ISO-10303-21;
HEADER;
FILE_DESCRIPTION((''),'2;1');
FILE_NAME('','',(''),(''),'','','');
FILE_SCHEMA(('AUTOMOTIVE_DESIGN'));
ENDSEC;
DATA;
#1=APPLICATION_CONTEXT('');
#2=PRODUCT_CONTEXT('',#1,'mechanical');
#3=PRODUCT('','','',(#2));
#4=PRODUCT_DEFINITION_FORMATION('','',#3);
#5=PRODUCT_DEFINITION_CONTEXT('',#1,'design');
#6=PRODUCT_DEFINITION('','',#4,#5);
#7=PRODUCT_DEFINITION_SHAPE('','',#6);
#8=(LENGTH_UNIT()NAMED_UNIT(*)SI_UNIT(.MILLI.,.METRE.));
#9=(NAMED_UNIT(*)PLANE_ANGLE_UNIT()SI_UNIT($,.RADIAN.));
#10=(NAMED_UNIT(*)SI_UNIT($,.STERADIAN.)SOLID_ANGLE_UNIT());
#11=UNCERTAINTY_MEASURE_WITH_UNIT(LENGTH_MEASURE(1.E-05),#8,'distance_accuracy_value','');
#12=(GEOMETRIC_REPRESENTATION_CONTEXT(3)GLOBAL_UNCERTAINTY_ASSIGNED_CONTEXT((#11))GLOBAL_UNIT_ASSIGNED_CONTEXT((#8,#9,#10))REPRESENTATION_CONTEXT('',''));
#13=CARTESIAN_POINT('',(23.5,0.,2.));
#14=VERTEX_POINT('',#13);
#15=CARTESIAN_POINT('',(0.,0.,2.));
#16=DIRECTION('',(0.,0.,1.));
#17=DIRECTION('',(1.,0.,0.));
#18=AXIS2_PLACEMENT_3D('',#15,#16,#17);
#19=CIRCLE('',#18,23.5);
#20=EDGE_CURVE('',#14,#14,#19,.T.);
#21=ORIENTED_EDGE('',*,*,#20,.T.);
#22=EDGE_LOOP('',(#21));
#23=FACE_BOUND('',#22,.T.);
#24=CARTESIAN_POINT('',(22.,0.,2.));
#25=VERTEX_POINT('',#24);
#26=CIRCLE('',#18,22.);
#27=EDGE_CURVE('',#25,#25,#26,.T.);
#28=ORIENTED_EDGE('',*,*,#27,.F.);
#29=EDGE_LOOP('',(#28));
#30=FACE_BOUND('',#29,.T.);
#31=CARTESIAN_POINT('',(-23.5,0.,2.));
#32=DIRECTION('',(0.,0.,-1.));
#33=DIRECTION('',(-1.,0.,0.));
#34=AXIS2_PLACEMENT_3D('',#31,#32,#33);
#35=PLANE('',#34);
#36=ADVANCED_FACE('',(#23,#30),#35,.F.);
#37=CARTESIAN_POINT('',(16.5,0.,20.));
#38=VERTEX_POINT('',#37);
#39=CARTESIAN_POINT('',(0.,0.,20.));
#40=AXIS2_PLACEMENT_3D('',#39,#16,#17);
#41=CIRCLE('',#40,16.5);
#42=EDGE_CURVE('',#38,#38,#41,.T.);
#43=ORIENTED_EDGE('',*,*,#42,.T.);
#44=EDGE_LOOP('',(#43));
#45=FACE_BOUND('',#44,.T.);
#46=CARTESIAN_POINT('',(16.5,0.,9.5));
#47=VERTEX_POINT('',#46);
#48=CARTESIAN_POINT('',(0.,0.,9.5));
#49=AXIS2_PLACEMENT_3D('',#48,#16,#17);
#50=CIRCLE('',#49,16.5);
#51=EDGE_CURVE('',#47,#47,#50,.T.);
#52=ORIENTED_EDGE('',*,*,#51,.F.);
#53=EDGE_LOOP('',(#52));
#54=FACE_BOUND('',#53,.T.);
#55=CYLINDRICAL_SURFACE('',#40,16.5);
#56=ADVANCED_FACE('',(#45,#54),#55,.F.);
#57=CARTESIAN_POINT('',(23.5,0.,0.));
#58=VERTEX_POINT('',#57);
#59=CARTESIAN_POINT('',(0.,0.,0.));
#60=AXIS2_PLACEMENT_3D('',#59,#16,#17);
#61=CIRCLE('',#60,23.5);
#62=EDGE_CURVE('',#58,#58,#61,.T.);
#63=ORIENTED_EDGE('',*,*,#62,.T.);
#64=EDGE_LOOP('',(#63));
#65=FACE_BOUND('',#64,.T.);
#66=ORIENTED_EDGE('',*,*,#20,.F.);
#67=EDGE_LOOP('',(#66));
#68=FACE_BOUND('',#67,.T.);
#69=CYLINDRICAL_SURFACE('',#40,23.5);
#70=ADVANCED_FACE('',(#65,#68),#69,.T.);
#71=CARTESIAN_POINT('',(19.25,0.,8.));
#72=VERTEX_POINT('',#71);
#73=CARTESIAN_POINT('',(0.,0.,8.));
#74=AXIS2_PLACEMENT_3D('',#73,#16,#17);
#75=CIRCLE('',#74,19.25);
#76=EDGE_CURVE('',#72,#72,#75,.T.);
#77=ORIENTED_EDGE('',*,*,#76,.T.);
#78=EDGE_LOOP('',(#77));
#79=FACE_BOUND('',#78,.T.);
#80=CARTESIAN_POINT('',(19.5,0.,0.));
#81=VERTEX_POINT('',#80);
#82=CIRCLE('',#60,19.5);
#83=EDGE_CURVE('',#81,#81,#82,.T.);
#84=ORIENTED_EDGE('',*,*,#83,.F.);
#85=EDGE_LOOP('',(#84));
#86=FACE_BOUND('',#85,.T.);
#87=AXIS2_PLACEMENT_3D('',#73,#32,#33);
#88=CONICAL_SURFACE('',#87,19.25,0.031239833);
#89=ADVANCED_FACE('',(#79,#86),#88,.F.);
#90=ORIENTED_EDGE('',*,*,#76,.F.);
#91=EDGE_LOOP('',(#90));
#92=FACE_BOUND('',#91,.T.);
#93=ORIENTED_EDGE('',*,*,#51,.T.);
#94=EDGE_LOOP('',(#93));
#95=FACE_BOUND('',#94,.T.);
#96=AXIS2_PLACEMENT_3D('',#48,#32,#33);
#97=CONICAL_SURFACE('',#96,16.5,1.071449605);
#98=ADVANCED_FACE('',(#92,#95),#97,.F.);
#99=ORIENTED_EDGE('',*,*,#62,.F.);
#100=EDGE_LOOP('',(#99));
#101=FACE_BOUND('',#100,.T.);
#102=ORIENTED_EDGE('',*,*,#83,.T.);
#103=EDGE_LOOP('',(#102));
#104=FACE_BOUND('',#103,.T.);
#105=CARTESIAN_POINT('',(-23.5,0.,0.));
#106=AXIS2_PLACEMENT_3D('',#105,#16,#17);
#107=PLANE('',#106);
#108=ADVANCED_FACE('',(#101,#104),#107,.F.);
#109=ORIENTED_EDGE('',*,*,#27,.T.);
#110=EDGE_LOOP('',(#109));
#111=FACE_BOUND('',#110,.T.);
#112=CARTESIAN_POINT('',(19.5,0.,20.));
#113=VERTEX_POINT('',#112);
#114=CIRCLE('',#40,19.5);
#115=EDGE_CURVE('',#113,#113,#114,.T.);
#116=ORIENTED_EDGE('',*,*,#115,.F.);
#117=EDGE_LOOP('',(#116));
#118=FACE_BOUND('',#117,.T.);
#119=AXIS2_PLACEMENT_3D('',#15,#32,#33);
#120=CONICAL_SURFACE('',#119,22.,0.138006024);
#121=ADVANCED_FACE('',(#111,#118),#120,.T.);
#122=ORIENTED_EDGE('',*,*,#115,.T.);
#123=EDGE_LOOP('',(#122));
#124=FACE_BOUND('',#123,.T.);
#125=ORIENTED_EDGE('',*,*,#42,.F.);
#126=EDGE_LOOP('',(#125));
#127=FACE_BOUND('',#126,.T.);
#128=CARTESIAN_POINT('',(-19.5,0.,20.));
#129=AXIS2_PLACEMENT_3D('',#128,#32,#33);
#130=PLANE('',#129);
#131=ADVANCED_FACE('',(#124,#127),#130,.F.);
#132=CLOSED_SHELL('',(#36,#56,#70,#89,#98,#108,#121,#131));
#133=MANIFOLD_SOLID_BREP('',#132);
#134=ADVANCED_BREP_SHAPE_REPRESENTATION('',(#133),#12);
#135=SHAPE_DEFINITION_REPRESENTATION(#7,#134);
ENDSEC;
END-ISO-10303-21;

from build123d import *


with BuildPart() as part:
    # Sketch1 → Revolve1 (revolve)
    with BuildSketch(Plane(origin=(0, 0, 0), x_dir=(-1, 0, 0), z_dir=(0, 1, 0)), mode=Mode.PRIVATE) as revolve1_sk:
        Polygon((19.5, 0), (19.25, 8), (16.5, 9.5), (16.5, 20), (19.5, 20), (22, 2), (23.5, 2), (23.5, 0), align=None)
    revolve(revolve1_sk.sketch.rotate(Axis((0, 0, 20), (0, 0, -1)), 180), axis=Axis((0, 0, 20), (0, 0, -1)))


solid = part.part
